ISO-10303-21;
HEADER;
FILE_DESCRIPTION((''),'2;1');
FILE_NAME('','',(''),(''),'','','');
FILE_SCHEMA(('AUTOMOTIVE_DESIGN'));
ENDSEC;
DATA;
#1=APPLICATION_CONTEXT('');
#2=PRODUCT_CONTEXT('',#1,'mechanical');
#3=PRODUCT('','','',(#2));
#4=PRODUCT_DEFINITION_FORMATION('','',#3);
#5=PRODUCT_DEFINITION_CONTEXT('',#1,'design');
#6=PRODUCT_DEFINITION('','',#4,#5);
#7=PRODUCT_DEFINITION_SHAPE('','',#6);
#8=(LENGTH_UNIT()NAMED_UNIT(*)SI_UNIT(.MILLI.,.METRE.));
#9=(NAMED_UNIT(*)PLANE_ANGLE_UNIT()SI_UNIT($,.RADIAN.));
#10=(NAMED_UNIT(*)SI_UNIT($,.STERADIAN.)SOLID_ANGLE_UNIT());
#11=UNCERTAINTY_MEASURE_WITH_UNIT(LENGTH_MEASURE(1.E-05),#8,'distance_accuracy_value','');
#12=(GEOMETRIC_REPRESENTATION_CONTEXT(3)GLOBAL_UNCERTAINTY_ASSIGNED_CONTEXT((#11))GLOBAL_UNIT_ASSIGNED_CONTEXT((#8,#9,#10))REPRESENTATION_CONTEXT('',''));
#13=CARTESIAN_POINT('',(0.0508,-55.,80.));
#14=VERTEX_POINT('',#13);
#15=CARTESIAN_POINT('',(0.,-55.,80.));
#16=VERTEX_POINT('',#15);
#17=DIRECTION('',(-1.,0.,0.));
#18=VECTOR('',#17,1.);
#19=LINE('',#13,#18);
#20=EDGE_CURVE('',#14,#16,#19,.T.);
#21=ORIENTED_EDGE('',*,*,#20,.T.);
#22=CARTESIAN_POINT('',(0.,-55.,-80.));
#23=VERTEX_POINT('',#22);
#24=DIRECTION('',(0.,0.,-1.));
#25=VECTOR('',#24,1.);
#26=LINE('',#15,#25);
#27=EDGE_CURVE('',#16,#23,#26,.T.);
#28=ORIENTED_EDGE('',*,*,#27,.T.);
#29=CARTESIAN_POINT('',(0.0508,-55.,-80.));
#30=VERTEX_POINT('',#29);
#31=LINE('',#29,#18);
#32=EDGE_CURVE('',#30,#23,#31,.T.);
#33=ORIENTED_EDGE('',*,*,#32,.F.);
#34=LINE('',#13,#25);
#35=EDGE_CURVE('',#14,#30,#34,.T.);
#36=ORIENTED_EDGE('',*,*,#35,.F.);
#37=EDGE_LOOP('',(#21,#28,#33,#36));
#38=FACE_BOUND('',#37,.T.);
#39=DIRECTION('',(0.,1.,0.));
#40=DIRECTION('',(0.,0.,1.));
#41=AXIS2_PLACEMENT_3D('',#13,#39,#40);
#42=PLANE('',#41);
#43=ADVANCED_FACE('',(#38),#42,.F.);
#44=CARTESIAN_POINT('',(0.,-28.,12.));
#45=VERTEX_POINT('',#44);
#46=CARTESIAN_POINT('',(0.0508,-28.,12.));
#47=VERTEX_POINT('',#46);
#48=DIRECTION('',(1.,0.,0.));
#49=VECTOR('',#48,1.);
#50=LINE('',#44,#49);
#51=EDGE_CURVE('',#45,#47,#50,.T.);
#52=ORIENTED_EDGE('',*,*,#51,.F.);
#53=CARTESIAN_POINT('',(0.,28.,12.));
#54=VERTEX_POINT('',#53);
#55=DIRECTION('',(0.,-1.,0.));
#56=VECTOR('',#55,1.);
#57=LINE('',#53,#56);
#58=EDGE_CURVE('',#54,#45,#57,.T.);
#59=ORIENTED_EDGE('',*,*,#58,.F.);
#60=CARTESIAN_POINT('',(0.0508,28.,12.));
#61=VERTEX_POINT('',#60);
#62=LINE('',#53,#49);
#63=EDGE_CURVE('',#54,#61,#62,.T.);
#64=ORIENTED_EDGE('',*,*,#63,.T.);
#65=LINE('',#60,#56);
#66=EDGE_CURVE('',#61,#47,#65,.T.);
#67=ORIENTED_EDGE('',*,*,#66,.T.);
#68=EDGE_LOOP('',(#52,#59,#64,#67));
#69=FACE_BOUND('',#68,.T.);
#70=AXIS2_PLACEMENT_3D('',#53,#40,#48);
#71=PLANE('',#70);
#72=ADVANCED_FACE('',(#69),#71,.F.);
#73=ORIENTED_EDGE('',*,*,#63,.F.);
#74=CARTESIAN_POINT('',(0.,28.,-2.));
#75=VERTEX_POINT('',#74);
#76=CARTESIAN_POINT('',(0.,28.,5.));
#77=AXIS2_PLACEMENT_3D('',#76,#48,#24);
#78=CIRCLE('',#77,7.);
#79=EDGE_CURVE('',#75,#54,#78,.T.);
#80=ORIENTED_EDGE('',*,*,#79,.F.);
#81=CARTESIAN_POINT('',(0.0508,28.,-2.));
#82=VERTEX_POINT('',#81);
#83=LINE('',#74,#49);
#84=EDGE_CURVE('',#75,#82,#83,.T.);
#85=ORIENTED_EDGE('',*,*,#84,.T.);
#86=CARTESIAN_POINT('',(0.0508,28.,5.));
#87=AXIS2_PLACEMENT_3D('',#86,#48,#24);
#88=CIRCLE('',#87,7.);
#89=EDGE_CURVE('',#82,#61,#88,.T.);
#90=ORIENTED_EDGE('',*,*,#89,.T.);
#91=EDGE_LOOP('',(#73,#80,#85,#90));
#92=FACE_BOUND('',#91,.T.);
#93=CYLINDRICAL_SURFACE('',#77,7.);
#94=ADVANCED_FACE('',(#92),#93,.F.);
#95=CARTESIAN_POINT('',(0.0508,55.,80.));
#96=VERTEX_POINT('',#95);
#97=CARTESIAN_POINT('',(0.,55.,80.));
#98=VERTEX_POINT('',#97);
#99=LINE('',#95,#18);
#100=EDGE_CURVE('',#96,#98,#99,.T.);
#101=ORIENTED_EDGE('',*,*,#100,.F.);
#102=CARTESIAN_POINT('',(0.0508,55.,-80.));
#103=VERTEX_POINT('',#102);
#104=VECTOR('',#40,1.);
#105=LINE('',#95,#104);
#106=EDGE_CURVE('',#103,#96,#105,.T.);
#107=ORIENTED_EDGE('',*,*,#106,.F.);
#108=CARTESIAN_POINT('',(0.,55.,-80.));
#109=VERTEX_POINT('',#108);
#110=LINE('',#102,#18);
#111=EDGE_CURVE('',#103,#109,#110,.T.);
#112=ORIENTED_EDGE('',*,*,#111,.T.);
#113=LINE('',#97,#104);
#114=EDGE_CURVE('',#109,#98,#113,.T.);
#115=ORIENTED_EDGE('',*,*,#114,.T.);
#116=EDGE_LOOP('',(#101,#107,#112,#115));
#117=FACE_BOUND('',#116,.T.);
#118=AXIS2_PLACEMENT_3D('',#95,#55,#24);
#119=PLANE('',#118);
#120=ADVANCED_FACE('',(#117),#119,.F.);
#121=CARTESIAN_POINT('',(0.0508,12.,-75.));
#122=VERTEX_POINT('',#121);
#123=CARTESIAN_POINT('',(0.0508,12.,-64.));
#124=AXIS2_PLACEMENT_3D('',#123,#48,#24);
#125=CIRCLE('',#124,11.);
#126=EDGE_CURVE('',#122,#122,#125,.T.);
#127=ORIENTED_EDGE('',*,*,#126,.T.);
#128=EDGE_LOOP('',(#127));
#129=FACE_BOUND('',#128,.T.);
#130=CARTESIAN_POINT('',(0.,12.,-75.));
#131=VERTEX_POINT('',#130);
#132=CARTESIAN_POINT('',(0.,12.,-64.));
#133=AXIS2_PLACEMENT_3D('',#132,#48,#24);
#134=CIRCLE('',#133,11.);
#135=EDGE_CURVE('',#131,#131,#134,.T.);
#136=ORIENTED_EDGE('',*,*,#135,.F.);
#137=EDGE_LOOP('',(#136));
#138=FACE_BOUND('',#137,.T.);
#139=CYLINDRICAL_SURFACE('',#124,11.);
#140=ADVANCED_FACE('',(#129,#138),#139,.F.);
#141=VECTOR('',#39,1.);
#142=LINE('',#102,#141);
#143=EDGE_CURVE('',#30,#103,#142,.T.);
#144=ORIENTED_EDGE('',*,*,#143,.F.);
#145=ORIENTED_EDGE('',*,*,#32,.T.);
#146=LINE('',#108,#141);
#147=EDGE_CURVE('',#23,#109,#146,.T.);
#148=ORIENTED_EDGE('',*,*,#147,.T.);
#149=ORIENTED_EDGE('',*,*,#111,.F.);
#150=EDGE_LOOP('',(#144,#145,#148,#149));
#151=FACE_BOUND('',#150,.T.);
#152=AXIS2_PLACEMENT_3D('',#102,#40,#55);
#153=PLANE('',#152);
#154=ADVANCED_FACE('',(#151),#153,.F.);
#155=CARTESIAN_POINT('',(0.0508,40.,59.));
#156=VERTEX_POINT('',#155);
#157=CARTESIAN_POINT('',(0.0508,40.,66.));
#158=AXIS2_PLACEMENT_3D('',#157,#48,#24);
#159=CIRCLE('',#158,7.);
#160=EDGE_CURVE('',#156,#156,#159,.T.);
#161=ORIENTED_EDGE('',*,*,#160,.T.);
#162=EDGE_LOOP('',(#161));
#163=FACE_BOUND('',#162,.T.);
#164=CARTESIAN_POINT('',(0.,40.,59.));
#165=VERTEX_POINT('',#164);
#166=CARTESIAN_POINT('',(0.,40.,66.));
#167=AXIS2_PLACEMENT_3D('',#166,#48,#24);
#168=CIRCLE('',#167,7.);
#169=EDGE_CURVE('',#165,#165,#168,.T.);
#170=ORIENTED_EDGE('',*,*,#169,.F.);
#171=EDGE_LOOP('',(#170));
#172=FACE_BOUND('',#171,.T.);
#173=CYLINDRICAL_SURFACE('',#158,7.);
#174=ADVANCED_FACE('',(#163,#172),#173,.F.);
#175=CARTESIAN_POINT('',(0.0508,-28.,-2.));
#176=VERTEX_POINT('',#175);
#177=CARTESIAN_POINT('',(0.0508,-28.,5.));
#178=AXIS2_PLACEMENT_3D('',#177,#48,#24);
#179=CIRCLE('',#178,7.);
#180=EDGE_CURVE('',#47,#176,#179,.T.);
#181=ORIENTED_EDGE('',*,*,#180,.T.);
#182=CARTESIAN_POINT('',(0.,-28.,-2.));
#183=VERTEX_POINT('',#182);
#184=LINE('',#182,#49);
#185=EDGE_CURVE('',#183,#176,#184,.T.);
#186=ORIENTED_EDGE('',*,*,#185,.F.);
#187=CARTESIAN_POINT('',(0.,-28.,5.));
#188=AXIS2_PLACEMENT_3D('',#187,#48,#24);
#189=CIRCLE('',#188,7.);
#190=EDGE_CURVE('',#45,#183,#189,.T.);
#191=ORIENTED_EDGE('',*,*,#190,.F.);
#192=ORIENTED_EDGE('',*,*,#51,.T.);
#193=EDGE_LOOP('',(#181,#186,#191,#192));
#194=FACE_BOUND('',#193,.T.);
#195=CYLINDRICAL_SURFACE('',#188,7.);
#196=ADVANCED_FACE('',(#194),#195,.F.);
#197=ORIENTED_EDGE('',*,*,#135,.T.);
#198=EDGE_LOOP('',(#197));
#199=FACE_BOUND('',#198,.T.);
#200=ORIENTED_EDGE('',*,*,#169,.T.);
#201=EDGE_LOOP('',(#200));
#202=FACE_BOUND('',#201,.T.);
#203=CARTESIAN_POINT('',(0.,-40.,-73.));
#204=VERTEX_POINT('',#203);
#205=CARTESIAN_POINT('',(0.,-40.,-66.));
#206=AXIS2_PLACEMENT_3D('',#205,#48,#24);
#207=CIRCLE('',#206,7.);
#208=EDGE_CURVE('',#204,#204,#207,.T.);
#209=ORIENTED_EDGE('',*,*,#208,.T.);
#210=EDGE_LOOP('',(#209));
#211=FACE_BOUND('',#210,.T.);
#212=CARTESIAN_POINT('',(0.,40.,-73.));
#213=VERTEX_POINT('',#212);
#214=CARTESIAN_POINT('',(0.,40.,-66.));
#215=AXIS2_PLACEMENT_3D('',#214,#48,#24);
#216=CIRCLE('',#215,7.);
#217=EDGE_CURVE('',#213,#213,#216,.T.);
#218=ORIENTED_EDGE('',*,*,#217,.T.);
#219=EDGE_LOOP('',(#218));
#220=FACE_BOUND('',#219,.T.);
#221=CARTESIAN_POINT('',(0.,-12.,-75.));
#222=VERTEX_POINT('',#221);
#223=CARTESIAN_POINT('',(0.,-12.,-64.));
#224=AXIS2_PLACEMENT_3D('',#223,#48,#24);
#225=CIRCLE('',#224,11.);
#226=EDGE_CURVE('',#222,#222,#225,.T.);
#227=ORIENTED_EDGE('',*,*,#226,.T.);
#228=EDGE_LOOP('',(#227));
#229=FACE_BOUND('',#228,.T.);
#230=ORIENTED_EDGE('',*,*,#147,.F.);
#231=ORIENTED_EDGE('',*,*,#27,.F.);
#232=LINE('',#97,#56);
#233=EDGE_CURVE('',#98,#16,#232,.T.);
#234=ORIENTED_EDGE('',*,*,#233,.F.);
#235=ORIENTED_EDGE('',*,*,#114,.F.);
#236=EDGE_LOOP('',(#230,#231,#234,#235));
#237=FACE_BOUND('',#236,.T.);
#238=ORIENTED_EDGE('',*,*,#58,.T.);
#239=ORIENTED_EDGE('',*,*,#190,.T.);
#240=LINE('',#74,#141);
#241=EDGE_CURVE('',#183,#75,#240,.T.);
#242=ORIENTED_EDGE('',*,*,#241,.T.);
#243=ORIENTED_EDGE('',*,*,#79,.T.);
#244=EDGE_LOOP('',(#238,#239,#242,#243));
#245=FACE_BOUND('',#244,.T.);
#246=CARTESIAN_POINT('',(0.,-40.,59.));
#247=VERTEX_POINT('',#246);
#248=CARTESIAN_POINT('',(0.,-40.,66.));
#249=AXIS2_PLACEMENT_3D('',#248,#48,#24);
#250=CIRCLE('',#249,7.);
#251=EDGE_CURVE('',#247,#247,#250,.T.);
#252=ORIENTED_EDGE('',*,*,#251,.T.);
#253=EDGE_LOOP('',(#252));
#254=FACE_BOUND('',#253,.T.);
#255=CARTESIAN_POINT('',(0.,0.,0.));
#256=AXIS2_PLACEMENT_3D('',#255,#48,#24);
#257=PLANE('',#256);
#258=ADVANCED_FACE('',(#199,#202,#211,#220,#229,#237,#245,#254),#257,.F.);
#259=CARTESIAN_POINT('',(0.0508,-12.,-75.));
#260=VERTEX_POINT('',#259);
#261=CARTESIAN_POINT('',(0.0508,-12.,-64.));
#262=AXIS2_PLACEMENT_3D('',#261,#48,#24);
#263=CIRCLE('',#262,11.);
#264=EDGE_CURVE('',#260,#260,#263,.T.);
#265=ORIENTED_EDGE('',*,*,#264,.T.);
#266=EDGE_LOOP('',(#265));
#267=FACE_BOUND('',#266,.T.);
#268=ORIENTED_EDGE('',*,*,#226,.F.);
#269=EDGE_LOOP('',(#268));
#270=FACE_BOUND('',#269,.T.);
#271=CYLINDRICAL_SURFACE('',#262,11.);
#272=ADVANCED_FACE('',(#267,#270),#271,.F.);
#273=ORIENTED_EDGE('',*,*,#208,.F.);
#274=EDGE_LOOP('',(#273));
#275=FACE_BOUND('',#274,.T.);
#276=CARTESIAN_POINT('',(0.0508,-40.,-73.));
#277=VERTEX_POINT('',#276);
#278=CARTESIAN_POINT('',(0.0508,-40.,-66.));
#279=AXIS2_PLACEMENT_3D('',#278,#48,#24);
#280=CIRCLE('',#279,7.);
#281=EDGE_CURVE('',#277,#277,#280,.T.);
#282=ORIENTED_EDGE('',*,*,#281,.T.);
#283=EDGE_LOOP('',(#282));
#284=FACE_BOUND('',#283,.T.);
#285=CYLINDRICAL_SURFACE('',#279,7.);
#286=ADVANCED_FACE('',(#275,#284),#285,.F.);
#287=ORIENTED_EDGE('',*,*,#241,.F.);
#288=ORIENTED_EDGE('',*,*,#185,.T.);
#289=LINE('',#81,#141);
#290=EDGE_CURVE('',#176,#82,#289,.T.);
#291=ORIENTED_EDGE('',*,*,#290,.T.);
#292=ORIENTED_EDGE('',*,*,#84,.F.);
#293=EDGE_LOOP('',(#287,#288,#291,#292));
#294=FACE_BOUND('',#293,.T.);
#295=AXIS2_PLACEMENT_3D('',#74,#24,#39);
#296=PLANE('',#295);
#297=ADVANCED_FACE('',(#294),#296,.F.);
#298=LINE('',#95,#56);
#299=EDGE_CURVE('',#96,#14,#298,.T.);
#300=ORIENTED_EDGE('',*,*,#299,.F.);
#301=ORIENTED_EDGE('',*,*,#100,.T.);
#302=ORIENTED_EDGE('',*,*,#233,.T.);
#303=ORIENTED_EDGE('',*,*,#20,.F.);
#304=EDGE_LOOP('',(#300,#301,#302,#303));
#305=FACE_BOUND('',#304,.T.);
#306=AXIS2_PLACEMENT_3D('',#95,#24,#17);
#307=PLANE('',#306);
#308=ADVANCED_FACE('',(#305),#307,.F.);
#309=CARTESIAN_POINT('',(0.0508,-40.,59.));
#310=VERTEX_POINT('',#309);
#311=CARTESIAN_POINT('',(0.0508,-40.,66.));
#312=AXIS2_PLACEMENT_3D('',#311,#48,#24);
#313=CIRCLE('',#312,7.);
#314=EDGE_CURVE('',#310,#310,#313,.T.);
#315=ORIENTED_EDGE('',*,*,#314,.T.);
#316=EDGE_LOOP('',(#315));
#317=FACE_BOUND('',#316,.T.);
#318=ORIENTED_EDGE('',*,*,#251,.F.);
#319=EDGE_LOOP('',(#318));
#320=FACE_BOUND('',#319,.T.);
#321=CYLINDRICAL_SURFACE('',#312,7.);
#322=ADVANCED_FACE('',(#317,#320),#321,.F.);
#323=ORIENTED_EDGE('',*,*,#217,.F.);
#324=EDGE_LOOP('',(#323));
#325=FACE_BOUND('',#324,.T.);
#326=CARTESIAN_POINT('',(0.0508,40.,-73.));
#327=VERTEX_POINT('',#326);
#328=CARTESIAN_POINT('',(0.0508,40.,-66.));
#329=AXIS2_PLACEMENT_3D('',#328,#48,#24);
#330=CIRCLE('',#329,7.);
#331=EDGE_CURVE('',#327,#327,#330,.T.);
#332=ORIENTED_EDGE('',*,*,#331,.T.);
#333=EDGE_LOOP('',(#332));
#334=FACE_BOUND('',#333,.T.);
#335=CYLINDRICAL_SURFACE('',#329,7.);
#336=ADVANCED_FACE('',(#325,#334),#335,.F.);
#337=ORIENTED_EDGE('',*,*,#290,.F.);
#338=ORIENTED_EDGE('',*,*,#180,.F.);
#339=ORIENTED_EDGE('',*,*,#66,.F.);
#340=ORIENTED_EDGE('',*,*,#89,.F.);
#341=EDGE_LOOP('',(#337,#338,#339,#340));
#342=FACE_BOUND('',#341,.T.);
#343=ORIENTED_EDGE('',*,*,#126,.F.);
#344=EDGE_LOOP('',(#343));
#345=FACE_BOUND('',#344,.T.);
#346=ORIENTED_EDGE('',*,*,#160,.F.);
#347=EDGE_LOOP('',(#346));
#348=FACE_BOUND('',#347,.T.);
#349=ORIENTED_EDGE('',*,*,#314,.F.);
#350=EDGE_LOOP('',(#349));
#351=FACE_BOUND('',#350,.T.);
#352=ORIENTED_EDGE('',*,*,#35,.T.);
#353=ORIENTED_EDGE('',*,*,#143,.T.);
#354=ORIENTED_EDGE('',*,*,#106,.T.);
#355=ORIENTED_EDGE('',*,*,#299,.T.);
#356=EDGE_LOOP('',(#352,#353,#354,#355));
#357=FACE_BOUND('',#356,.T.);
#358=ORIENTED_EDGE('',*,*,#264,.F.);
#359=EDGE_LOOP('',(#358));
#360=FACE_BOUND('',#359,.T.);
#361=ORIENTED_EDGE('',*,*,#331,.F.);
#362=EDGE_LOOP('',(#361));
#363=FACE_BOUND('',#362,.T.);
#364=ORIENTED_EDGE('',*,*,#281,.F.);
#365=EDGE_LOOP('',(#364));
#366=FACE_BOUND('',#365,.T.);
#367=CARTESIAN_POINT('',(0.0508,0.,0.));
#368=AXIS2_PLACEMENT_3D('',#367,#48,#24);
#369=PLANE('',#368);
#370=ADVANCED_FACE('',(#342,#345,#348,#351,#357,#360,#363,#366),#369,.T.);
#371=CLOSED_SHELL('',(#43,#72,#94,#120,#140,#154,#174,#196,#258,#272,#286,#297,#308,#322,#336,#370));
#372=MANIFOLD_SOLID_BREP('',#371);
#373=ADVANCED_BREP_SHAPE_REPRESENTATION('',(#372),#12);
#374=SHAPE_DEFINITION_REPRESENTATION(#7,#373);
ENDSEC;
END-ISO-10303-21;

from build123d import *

# Parameters (mm, degrees)
SKETCH1_W             = 160
SKETCH1_H             = 110
BOSS_EXTRUDE1_DEPTH   = 0.0508
M12_CLEARANCE_HOLE1_D = 14
CUT_EXTRUDE1_DEPTH    = 98.082452486
M20_CLEARANCE_HOLE1_D = 22


with BuildPart() as part:
    # Sketch1 → Boss-Extrude1 (new body)
    with BuildSketch(Plane(origin=(0, 0, 0), x_dir=(0, 0, -1), z_dir=(1, 0, 0))):
        Rectangle(SKETCH1_W, SKETCH1_H)
    extrude(amount=BOSS_EXTRUDE1_DEPTH)

    # M12 Clearance Hole1 (through all)
    with Locations(Plane(origin=(0.0508, 0, 0), x_dir=(0, 0, -1), z_dir=(1, 0, 0))):
        with Locations((-66, 40), (66, 40), (66, -40), (-66, -40)):
            Hole(M12_CLEARANCE_HOLE1_D / 2)

    # Sketch4 → Cut-Extrude1 (cut, through all)
    with BuildSketch(Plane(origin=(0.0508, 0, 0), x_dir=(0, 0, -1), z_dir=(1, 0, 0))):
        with BuildLine():
            Line((2, 28), (2, -28))
            ThreePointArc((2, -28), (-5, -35), (-12, -28))
            Line((-12, -28), (-12, 28))
            ThreePointArc((-12, 28), (-5, 35), (2, 28))
        make_face()
    extrude(amount=-CUT_EXTRUDE1_DEPTH, mode=Mode.SUBTRACT)

    # M20 Clearance Hole1 (through all)
    with Locations(Plane(origin=(0.0508, 0, 0), x_dir=(0, 0, -1), z_dir=(1, 0, 0))):
        with Locations((64, 12), (64, -12)):
            Hole(M20_CLEARANCE_HOLE1_D / 2)


solid = part.part
